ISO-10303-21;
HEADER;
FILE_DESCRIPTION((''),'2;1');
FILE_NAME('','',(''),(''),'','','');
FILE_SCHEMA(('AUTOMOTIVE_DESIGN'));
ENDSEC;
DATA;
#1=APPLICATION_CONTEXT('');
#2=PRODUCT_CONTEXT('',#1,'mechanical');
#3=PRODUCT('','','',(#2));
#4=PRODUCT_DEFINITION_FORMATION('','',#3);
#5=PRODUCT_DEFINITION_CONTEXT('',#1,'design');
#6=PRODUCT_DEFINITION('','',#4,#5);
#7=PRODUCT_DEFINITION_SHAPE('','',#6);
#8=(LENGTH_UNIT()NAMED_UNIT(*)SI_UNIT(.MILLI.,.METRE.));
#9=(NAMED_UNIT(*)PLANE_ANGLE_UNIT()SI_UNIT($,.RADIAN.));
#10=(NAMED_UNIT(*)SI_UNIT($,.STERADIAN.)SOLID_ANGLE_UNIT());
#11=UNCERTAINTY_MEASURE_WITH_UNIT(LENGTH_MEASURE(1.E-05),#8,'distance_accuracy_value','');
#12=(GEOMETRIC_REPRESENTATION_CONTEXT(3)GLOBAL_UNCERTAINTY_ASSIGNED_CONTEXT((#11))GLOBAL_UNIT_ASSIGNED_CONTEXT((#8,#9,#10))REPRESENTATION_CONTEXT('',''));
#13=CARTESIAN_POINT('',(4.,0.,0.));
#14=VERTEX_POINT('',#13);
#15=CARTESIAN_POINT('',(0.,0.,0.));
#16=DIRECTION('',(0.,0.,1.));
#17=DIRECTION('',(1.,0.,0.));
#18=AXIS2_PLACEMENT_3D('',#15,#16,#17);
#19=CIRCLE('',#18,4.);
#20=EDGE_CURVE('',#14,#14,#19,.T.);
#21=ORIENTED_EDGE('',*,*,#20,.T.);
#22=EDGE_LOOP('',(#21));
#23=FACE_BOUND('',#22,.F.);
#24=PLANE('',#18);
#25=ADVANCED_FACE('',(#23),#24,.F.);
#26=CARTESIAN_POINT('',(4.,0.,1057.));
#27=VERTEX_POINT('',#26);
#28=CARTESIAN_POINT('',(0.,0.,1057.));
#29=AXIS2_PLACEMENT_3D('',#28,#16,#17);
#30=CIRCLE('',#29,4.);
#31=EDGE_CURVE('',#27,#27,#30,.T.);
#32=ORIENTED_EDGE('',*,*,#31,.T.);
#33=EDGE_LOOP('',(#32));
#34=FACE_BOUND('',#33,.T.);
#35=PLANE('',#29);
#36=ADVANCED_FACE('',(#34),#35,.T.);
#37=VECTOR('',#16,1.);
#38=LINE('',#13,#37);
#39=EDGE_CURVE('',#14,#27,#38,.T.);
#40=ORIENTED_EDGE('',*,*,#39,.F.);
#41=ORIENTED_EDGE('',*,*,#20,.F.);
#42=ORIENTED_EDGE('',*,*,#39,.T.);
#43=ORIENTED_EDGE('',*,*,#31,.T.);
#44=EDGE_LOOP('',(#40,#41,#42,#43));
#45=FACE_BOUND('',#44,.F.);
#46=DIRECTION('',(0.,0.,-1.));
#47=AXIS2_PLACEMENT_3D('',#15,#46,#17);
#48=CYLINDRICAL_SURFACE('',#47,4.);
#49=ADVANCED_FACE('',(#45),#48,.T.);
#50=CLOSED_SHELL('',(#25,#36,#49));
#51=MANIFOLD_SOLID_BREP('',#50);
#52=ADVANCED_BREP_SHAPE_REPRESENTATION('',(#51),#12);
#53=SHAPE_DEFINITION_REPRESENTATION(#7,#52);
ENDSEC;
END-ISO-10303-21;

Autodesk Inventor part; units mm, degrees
ref_plane "YZ Plane" through (0, 0, 0) normal (1, 0, 0) x (0, 1, 0)
ref_plane "XZ Plane" through (0, 0, 0) normal (0, 1, 0) x (-1, 0, 0)
ref_plane "XY Plane" through (0, 0, 0) normal (0, 0, 1) x (1, 0, 0)
sketch "Skizze1" plane through (0, 0, 0) normal (0, 0, 1) x (1, 0, 0)
  circle A0 centre (0, 0) radius 4
  dimension "d0" = 8
extrude "Extrusion1" add sketch "Skizze1" along normal blind 1057
thread "Gewinde1" size "TR8x8-2p" designation "TR8x8-2" standard "ISO Metric Trapezoidal Threads" full length
properties part number "Lead Screw - TR8x8-2p 1057mm Simple"
